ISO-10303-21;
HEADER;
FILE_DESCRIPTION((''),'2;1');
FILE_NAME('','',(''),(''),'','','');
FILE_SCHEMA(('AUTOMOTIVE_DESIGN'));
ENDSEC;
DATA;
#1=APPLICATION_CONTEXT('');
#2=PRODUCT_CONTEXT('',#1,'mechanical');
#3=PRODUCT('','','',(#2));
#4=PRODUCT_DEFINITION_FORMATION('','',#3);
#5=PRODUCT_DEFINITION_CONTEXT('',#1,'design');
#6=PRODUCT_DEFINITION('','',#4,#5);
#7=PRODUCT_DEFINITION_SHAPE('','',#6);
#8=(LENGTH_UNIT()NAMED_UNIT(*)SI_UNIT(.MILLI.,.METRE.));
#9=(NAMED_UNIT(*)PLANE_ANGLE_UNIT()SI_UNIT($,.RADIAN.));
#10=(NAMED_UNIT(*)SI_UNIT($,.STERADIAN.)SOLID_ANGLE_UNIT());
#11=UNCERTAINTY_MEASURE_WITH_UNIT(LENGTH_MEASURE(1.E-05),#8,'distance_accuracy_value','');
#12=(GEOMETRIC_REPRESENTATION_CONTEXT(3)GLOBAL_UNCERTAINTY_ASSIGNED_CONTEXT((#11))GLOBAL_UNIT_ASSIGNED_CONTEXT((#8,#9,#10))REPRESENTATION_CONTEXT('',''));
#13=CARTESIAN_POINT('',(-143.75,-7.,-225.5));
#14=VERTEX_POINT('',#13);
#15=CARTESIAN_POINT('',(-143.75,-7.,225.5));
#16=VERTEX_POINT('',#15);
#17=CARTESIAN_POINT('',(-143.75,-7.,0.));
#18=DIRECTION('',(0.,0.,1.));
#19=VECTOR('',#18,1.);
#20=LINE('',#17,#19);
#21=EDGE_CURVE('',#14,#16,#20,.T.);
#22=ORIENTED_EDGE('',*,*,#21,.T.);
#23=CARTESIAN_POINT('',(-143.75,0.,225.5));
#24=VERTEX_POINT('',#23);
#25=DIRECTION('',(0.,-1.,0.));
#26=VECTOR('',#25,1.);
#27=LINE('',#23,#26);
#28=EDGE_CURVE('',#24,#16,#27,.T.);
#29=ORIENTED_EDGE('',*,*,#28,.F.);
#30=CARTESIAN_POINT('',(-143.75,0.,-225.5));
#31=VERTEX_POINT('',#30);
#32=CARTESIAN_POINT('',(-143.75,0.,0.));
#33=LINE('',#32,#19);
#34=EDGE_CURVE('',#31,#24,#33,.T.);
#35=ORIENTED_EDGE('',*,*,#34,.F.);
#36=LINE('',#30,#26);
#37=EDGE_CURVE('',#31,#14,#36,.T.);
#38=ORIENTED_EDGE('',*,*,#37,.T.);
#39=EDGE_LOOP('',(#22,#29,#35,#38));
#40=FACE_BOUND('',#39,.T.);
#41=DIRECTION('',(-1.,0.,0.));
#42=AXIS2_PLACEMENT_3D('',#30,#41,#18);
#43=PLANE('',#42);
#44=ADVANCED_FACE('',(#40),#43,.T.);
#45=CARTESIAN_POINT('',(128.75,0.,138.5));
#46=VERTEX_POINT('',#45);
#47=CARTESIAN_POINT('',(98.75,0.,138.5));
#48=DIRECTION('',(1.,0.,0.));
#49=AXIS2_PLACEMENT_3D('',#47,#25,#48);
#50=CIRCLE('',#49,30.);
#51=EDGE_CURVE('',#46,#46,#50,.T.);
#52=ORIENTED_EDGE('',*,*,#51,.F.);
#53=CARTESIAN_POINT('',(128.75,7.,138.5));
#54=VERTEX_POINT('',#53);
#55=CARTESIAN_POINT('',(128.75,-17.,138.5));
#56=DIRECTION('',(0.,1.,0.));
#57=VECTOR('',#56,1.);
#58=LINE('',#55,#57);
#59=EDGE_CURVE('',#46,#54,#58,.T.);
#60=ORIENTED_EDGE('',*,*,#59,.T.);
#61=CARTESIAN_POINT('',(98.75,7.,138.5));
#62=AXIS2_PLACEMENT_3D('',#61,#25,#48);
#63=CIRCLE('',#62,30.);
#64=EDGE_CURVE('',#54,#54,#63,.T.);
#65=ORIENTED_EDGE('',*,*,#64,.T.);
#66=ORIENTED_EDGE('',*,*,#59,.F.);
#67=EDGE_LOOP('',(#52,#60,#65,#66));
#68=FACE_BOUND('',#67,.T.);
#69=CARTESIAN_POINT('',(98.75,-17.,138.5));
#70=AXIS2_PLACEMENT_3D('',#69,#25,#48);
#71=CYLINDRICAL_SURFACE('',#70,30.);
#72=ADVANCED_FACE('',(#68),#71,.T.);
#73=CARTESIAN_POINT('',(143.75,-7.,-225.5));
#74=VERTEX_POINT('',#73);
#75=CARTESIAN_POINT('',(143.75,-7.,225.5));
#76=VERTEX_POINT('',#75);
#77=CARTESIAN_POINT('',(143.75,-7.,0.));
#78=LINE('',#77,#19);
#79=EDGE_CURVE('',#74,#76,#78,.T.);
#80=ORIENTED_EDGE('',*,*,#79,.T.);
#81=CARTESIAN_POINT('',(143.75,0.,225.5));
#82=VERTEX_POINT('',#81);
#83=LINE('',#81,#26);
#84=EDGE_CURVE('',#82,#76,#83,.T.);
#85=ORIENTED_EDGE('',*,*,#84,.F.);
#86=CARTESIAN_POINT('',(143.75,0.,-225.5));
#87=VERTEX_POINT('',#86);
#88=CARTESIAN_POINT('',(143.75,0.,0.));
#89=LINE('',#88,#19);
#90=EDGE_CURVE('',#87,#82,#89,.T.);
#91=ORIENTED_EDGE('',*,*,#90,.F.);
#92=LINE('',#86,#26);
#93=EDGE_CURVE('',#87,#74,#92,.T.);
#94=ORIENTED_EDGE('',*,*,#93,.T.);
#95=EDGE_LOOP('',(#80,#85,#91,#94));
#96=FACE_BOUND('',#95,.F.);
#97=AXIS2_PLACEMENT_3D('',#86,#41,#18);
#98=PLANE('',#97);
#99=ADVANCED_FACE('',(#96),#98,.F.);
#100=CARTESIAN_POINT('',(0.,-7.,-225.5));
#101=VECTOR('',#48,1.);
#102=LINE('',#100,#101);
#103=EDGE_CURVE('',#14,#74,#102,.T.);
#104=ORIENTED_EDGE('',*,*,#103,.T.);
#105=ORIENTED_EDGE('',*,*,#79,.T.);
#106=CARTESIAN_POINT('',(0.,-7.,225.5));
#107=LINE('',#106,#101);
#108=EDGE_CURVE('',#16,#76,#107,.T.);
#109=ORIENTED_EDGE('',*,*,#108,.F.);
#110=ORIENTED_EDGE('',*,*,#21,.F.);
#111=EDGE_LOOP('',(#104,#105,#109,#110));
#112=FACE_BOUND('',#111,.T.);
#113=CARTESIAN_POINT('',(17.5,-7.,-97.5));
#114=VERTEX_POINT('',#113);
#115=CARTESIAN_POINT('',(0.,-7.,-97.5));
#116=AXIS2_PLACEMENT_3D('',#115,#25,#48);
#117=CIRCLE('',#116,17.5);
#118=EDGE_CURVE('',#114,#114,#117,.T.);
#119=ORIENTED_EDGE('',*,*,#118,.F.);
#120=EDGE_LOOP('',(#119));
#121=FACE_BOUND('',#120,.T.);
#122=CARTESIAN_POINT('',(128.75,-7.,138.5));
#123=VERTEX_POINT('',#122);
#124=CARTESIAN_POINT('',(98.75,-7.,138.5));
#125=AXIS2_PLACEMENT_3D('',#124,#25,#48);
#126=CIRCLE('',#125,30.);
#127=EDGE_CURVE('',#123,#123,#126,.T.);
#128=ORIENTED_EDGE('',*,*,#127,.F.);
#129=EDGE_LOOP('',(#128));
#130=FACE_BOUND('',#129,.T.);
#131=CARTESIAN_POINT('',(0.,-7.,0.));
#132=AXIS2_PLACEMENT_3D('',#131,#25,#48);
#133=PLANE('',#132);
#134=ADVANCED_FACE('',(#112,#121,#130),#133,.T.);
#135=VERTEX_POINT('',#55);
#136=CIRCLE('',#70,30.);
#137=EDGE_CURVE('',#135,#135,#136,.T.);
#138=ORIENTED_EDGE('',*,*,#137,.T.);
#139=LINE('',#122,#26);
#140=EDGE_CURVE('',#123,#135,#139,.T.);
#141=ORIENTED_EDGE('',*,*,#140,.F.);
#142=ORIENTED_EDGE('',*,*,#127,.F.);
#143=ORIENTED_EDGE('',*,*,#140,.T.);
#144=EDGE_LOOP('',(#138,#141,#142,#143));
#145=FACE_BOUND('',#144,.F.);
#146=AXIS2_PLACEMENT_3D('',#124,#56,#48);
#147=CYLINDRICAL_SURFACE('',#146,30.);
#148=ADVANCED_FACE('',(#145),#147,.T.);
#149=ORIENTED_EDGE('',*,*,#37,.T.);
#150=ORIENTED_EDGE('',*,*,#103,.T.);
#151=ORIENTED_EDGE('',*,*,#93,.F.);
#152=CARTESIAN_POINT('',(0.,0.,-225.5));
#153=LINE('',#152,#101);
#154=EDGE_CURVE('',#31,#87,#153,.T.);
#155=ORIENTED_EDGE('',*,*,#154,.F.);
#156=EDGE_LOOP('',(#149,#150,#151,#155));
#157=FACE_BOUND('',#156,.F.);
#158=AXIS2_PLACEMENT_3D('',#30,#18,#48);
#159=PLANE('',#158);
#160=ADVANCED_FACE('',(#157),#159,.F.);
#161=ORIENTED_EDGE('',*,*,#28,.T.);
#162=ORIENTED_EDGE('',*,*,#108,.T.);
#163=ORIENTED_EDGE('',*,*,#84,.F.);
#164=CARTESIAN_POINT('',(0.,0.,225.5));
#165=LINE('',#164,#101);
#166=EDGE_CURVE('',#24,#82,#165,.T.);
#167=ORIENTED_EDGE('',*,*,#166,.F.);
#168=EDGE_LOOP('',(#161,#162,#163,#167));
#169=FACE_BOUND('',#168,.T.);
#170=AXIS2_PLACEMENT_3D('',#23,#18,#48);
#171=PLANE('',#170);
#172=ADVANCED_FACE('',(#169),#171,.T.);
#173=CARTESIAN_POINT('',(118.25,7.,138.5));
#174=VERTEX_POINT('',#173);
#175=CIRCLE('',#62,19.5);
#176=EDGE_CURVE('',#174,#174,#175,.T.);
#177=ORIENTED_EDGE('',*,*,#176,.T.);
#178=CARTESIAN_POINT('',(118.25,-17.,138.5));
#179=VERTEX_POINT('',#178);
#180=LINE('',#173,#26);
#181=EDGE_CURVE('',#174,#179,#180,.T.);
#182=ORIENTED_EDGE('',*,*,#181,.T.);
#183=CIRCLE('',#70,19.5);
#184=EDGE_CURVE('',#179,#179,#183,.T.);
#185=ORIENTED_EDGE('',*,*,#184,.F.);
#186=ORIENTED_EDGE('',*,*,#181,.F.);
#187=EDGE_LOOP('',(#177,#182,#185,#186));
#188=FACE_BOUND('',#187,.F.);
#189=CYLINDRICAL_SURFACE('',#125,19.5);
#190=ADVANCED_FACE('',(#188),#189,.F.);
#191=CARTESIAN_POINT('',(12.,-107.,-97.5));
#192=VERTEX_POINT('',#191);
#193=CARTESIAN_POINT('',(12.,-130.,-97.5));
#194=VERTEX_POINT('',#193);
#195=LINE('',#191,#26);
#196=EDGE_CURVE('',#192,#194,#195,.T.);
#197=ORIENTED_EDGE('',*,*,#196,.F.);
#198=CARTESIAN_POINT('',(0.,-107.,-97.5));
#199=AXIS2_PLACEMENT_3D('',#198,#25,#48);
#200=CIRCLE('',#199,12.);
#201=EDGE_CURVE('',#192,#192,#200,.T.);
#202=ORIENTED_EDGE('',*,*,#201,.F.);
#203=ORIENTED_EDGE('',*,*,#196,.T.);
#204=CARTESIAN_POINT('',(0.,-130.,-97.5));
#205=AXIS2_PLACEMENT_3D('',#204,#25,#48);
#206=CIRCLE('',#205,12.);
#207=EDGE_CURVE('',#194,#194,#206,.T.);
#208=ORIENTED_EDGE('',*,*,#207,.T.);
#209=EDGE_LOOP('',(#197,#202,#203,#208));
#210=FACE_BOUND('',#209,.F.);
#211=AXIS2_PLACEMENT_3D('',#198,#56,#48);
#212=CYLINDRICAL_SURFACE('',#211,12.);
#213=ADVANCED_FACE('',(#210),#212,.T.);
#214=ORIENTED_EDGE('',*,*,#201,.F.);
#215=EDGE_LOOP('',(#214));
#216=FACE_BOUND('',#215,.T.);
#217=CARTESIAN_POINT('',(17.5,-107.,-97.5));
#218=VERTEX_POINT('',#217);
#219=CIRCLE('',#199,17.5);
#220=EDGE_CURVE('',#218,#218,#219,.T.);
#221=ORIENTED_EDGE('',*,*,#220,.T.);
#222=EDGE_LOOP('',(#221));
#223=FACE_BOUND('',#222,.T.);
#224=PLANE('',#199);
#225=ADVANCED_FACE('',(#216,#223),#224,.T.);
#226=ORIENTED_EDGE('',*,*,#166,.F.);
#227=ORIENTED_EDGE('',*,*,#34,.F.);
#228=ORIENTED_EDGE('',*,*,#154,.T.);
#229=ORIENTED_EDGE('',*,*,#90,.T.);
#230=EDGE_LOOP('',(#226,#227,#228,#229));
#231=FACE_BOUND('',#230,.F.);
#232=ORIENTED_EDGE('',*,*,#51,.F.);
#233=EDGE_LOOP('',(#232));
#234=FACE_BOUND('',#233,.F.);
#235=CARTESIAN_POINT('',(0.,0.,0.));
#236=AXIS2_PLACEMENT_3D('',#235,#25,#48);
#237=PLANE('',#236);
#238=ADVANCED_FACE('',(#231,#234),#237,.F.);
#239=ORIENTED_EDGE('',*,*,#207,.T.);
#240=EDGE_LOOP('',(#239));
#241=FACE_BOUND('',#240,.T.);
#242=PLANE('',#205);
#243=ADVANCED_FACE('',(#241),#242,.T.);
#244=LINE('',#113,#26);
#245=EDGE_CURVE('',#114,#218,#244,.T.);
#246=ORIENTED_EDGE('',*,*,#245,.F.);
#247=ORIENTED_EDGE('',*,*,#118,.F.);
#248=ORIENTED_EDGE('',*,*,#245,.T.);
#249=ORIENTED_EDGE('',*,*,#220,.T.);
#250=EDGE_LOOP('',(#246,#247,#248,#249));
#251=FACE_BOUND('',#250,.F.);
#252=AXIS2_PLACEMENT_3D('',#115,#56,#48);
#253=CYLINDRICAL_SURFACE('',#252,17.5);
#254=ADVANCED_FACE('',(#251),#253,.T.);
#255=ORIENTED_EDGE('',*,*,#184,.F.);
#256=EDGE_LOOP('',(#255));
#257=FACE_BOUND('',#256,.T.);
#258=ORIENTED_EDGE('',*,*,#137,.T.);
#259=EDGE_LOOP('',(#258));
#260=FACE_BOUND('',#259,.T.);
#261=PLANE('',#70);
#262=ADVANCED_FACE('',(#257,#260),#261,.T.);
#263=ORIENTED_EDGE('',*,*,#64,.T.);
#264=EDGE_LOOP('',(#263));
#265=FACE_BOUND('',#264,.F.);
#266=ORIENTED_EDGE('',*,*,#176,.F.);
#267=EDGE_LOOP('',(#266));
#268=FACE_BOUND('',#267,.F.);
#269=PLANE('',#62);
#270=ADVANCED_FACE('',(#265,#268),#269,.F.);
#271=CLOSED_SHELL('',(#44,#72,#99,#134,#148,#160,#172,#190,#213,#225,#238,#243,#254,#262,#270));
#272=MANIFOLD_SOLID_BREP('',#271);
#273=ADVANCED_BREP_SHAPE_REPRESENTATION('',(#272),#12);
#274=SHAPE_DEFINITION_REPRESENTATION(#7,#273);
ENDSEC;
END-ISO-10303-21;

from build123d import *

# Parameters (mm, degrees)
F0_W     = 287.5
F0_H     = 451
F1_DEPTH = 7
F2_R     = 30
F2_R_2   = 19.5
F3_DEPTH = 10
F4_DEPTH = 25
F5_DEPTH = 24
F2_R_3   = 17.5
F6_DEPTH = 100
F7_R     = 12
F8_DEPTH = 23


with BuildPart() as f1:
    # F0 (on Front) → F1 (new body)
    with BuildSketch(Plane.XZ):
        Rectangle(F0_W, F0_H)
    extrude(amount=F1_DEPTH)

    # F2 (on face) → F3 (join)
    with BuildSketch(Plane.XZ.offset(7)):
        with Locations((98.75, 138.5)):
            Circle(F2_R)
        with Locations((98.75, 138.5)):
            Circle(F2_R_2, mode=Mode.SUBTRACT)
    extrude(amount=F3_DEPTH)

    # F4 (cut): a face of the model
    f4_faces = [f1.faces().sort_by_distance(p)[0] for p in [
        (98.75, -7, 138.5),
    ]]
    extrude(f4_faces, amount=-F4_DEPTH, mode=Mode.SUBTRACT)

    # F5 (add): a face of the model
    f5_faces = [f1.faces().sort_by_distance(p)[0] for p in [
        (69.5985281374, -17, 138.5),
    ]]
    extrude(f5_faces, amount=-F5_DEPTH)

    # F2 (on face) → F6 (join)
    with BuildSketch(Plane.XZ.offset(7)):
        with Locations((0, -97.5)):
            Circle(F2_R_3)
    extrude(amount=F6_DEPTH)

    # F7 (on face) → F8 (join)
    with BuildSketch(Plane.XZ.offset(107)):
        with Locations((0, -97.5)):
            Circle(F7_R)
    extrude(amount=F8_DEPTH)


solid = f1.part
